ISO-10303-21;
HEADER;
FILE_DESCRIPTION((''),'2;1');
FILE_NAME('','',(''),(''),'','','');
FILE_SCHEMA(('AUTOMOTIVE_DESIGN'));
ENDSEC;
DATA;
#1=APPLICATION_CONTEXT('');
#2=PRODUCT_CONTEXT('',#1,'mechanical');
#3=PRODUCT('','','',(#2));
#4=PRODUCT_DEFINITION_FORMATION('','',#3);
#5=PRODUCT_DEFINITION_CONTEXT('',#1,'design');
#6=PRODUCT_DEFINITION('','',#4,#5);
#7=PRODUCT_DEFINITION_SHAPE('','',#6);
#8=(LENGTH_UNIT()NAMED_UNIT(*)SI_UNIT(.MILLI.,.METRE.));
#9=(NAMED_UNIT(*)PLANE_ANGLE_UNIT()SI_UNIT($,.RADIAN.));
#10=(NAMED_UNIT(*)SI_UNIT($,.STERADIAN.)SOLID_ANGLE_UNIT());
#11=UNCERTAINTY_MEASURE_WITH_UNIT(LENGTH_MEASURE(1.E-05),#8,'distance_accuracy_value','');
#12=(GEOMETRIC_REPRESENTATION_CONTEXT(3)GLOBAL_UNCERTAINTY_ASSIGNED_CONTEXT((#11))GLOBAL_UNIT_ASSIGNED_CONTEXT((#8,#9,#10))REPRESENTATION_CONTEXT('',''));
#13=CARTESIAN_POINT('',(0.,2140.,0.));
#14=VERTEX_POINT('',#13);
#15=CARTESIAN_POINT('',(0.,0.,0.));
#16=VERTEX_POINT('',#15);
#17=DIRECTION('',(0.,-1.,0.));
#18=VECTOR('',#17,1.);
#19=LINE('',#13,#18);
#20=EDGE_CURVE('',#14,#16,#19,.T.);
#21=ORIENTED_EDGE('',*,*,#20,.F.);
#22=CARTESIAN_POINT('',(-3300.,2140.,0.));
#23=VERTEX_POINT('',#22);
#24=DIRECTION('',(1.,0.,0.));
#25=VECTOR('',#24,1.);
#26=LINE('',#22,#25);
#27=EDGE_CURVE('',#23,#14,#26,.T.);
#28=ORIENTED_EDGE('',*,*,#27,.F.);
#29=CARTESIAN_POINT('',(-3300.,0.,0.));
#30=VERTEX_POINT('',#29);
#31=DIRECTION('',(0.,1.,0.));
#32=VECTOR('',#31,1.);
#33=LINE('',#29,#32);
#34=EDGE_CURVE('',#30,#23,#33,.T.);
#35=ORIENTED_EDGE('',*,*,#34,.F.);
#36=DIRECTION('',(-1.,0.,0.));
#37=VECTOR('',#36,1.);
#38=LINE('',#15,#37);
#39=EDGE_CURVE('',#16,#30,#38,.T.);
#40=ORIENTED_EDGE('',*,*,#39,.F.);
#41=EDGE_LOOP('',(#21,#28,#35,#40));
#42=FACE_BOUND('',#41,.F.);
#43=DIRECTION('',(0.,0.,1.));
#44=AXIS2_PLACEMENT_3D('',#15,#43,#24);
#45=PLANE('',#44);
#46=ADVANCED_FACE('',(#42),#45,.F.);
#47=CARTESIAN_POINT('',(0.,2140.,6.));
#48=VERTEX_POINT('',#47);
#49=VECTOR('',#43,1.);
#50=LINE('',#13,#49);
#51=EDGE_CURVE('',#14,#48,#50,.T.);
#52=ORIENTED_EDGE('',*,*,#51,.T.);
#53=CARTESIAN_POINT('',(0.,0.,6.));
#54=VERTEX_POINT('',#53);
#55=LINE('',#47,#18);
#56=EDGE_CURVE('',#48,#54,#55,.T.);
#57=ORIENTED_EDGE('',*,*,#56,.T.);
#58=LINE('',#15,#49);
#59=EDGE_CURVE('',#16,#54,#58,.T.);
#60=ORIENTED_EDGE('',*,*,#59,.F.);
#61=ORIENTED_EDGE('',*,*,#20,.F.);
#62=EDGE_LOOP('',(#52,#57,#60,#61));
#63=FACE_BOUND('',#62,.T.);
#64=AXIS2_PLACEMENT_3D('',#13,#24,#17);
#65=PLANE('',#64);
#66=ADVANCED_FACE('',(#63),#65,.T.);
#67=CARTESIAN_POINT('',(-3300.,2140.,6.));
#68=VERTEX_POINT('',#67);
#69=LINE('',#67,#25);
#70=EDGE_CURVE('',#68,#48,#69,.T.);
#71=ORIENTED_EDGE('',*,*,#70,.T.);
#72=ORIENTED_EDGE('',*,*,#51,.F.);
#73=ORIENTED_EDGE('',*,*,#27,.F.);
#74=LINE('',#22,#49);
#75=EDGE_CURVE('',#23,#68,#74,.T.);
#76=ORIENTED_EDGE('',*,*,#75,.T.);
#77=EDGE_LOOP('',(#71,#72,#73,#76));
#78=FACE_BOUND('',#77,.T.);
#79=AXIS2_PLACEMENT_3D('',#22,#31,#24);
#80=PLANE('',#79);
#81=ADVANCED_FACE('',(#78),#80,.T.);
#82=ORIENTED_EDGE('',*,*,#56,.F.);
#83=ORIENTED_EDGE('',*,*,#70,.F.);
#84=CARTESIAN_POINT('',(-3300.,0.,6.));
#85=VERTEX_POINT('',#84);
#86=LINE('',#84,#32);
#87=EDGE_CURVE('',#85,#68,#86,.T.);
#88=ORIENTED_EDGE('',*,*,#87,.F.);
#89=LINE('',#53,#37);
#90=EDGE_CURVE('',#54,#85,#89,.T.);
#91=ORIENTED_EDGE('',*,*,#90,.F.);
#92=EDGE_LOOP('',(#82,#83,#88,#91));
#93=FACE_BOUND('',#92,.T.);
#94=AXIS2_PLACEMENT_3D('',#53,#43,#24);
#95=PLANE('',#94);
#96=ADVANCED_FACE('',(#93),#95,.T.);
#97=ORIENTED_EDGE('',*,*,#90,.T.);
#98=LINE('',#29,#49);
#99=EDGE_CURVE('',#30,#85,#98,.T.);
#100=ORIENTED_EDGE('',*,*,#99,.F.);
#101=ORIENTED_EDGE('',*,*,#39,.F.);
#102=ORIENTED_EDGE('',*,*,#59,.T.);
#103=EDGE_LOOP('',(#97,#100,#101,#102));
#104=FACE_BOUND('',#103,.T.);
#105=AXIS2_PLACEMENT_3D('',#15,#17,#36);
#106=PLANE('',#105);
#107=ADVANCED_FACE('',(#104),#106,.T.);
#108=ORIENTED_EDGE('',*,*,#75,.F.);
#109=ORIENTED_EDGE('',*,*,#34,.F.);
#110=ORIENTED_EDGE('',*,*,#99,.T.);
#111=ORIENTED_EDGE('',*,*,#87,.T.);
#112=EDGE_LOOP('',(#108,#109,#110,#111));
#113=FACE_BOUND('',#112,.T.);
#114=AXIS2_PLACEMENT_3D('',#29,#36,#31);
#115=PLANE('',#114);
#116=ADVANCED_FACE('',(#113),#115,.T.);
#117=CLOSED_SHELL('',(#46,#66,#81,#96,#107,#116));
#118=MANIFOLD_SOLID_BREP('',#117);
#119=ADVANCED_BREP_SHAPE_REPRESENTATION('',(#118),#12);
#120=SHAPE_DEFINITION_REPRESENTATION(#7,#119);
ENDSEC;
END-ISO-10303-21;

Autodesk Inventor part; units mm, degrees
ref_plane "YZ Plane" through (0, 0, 0) normal (1, 0, 0) x (0, 1, 0)
ref_plane "XZ Plane" through (0, 0, 0) normal (0, 1, 0) x (-1, 0, 0)
ref_plane "XY Plane" through (0, 0, 0) normal (0, 0, 1) x (1, 0, 0)
sketch "Boceto1" plane through (0, 0, 0) normal (0, 0, 1) x (1, 0, 0)
  line L0 (-3300, 2140) -> (0, 2140)
  line L1 (0, 2140) -> (0, 0)
  line L2 (0, 0) -> (-3300, 0)
  line L3 (-3300, 0) -> (-3300, 2140)
  point P0 (0, 0)
  dimension "d2" = 3300
  dimension "d3" = 2140
extrude "Extrusión1" add sketch "Boceto1" along normal blind 6
properties part number "PLANCHA DE CRISTAL TRANSPARENTE 3300x2140 mm" material "Cristal"
